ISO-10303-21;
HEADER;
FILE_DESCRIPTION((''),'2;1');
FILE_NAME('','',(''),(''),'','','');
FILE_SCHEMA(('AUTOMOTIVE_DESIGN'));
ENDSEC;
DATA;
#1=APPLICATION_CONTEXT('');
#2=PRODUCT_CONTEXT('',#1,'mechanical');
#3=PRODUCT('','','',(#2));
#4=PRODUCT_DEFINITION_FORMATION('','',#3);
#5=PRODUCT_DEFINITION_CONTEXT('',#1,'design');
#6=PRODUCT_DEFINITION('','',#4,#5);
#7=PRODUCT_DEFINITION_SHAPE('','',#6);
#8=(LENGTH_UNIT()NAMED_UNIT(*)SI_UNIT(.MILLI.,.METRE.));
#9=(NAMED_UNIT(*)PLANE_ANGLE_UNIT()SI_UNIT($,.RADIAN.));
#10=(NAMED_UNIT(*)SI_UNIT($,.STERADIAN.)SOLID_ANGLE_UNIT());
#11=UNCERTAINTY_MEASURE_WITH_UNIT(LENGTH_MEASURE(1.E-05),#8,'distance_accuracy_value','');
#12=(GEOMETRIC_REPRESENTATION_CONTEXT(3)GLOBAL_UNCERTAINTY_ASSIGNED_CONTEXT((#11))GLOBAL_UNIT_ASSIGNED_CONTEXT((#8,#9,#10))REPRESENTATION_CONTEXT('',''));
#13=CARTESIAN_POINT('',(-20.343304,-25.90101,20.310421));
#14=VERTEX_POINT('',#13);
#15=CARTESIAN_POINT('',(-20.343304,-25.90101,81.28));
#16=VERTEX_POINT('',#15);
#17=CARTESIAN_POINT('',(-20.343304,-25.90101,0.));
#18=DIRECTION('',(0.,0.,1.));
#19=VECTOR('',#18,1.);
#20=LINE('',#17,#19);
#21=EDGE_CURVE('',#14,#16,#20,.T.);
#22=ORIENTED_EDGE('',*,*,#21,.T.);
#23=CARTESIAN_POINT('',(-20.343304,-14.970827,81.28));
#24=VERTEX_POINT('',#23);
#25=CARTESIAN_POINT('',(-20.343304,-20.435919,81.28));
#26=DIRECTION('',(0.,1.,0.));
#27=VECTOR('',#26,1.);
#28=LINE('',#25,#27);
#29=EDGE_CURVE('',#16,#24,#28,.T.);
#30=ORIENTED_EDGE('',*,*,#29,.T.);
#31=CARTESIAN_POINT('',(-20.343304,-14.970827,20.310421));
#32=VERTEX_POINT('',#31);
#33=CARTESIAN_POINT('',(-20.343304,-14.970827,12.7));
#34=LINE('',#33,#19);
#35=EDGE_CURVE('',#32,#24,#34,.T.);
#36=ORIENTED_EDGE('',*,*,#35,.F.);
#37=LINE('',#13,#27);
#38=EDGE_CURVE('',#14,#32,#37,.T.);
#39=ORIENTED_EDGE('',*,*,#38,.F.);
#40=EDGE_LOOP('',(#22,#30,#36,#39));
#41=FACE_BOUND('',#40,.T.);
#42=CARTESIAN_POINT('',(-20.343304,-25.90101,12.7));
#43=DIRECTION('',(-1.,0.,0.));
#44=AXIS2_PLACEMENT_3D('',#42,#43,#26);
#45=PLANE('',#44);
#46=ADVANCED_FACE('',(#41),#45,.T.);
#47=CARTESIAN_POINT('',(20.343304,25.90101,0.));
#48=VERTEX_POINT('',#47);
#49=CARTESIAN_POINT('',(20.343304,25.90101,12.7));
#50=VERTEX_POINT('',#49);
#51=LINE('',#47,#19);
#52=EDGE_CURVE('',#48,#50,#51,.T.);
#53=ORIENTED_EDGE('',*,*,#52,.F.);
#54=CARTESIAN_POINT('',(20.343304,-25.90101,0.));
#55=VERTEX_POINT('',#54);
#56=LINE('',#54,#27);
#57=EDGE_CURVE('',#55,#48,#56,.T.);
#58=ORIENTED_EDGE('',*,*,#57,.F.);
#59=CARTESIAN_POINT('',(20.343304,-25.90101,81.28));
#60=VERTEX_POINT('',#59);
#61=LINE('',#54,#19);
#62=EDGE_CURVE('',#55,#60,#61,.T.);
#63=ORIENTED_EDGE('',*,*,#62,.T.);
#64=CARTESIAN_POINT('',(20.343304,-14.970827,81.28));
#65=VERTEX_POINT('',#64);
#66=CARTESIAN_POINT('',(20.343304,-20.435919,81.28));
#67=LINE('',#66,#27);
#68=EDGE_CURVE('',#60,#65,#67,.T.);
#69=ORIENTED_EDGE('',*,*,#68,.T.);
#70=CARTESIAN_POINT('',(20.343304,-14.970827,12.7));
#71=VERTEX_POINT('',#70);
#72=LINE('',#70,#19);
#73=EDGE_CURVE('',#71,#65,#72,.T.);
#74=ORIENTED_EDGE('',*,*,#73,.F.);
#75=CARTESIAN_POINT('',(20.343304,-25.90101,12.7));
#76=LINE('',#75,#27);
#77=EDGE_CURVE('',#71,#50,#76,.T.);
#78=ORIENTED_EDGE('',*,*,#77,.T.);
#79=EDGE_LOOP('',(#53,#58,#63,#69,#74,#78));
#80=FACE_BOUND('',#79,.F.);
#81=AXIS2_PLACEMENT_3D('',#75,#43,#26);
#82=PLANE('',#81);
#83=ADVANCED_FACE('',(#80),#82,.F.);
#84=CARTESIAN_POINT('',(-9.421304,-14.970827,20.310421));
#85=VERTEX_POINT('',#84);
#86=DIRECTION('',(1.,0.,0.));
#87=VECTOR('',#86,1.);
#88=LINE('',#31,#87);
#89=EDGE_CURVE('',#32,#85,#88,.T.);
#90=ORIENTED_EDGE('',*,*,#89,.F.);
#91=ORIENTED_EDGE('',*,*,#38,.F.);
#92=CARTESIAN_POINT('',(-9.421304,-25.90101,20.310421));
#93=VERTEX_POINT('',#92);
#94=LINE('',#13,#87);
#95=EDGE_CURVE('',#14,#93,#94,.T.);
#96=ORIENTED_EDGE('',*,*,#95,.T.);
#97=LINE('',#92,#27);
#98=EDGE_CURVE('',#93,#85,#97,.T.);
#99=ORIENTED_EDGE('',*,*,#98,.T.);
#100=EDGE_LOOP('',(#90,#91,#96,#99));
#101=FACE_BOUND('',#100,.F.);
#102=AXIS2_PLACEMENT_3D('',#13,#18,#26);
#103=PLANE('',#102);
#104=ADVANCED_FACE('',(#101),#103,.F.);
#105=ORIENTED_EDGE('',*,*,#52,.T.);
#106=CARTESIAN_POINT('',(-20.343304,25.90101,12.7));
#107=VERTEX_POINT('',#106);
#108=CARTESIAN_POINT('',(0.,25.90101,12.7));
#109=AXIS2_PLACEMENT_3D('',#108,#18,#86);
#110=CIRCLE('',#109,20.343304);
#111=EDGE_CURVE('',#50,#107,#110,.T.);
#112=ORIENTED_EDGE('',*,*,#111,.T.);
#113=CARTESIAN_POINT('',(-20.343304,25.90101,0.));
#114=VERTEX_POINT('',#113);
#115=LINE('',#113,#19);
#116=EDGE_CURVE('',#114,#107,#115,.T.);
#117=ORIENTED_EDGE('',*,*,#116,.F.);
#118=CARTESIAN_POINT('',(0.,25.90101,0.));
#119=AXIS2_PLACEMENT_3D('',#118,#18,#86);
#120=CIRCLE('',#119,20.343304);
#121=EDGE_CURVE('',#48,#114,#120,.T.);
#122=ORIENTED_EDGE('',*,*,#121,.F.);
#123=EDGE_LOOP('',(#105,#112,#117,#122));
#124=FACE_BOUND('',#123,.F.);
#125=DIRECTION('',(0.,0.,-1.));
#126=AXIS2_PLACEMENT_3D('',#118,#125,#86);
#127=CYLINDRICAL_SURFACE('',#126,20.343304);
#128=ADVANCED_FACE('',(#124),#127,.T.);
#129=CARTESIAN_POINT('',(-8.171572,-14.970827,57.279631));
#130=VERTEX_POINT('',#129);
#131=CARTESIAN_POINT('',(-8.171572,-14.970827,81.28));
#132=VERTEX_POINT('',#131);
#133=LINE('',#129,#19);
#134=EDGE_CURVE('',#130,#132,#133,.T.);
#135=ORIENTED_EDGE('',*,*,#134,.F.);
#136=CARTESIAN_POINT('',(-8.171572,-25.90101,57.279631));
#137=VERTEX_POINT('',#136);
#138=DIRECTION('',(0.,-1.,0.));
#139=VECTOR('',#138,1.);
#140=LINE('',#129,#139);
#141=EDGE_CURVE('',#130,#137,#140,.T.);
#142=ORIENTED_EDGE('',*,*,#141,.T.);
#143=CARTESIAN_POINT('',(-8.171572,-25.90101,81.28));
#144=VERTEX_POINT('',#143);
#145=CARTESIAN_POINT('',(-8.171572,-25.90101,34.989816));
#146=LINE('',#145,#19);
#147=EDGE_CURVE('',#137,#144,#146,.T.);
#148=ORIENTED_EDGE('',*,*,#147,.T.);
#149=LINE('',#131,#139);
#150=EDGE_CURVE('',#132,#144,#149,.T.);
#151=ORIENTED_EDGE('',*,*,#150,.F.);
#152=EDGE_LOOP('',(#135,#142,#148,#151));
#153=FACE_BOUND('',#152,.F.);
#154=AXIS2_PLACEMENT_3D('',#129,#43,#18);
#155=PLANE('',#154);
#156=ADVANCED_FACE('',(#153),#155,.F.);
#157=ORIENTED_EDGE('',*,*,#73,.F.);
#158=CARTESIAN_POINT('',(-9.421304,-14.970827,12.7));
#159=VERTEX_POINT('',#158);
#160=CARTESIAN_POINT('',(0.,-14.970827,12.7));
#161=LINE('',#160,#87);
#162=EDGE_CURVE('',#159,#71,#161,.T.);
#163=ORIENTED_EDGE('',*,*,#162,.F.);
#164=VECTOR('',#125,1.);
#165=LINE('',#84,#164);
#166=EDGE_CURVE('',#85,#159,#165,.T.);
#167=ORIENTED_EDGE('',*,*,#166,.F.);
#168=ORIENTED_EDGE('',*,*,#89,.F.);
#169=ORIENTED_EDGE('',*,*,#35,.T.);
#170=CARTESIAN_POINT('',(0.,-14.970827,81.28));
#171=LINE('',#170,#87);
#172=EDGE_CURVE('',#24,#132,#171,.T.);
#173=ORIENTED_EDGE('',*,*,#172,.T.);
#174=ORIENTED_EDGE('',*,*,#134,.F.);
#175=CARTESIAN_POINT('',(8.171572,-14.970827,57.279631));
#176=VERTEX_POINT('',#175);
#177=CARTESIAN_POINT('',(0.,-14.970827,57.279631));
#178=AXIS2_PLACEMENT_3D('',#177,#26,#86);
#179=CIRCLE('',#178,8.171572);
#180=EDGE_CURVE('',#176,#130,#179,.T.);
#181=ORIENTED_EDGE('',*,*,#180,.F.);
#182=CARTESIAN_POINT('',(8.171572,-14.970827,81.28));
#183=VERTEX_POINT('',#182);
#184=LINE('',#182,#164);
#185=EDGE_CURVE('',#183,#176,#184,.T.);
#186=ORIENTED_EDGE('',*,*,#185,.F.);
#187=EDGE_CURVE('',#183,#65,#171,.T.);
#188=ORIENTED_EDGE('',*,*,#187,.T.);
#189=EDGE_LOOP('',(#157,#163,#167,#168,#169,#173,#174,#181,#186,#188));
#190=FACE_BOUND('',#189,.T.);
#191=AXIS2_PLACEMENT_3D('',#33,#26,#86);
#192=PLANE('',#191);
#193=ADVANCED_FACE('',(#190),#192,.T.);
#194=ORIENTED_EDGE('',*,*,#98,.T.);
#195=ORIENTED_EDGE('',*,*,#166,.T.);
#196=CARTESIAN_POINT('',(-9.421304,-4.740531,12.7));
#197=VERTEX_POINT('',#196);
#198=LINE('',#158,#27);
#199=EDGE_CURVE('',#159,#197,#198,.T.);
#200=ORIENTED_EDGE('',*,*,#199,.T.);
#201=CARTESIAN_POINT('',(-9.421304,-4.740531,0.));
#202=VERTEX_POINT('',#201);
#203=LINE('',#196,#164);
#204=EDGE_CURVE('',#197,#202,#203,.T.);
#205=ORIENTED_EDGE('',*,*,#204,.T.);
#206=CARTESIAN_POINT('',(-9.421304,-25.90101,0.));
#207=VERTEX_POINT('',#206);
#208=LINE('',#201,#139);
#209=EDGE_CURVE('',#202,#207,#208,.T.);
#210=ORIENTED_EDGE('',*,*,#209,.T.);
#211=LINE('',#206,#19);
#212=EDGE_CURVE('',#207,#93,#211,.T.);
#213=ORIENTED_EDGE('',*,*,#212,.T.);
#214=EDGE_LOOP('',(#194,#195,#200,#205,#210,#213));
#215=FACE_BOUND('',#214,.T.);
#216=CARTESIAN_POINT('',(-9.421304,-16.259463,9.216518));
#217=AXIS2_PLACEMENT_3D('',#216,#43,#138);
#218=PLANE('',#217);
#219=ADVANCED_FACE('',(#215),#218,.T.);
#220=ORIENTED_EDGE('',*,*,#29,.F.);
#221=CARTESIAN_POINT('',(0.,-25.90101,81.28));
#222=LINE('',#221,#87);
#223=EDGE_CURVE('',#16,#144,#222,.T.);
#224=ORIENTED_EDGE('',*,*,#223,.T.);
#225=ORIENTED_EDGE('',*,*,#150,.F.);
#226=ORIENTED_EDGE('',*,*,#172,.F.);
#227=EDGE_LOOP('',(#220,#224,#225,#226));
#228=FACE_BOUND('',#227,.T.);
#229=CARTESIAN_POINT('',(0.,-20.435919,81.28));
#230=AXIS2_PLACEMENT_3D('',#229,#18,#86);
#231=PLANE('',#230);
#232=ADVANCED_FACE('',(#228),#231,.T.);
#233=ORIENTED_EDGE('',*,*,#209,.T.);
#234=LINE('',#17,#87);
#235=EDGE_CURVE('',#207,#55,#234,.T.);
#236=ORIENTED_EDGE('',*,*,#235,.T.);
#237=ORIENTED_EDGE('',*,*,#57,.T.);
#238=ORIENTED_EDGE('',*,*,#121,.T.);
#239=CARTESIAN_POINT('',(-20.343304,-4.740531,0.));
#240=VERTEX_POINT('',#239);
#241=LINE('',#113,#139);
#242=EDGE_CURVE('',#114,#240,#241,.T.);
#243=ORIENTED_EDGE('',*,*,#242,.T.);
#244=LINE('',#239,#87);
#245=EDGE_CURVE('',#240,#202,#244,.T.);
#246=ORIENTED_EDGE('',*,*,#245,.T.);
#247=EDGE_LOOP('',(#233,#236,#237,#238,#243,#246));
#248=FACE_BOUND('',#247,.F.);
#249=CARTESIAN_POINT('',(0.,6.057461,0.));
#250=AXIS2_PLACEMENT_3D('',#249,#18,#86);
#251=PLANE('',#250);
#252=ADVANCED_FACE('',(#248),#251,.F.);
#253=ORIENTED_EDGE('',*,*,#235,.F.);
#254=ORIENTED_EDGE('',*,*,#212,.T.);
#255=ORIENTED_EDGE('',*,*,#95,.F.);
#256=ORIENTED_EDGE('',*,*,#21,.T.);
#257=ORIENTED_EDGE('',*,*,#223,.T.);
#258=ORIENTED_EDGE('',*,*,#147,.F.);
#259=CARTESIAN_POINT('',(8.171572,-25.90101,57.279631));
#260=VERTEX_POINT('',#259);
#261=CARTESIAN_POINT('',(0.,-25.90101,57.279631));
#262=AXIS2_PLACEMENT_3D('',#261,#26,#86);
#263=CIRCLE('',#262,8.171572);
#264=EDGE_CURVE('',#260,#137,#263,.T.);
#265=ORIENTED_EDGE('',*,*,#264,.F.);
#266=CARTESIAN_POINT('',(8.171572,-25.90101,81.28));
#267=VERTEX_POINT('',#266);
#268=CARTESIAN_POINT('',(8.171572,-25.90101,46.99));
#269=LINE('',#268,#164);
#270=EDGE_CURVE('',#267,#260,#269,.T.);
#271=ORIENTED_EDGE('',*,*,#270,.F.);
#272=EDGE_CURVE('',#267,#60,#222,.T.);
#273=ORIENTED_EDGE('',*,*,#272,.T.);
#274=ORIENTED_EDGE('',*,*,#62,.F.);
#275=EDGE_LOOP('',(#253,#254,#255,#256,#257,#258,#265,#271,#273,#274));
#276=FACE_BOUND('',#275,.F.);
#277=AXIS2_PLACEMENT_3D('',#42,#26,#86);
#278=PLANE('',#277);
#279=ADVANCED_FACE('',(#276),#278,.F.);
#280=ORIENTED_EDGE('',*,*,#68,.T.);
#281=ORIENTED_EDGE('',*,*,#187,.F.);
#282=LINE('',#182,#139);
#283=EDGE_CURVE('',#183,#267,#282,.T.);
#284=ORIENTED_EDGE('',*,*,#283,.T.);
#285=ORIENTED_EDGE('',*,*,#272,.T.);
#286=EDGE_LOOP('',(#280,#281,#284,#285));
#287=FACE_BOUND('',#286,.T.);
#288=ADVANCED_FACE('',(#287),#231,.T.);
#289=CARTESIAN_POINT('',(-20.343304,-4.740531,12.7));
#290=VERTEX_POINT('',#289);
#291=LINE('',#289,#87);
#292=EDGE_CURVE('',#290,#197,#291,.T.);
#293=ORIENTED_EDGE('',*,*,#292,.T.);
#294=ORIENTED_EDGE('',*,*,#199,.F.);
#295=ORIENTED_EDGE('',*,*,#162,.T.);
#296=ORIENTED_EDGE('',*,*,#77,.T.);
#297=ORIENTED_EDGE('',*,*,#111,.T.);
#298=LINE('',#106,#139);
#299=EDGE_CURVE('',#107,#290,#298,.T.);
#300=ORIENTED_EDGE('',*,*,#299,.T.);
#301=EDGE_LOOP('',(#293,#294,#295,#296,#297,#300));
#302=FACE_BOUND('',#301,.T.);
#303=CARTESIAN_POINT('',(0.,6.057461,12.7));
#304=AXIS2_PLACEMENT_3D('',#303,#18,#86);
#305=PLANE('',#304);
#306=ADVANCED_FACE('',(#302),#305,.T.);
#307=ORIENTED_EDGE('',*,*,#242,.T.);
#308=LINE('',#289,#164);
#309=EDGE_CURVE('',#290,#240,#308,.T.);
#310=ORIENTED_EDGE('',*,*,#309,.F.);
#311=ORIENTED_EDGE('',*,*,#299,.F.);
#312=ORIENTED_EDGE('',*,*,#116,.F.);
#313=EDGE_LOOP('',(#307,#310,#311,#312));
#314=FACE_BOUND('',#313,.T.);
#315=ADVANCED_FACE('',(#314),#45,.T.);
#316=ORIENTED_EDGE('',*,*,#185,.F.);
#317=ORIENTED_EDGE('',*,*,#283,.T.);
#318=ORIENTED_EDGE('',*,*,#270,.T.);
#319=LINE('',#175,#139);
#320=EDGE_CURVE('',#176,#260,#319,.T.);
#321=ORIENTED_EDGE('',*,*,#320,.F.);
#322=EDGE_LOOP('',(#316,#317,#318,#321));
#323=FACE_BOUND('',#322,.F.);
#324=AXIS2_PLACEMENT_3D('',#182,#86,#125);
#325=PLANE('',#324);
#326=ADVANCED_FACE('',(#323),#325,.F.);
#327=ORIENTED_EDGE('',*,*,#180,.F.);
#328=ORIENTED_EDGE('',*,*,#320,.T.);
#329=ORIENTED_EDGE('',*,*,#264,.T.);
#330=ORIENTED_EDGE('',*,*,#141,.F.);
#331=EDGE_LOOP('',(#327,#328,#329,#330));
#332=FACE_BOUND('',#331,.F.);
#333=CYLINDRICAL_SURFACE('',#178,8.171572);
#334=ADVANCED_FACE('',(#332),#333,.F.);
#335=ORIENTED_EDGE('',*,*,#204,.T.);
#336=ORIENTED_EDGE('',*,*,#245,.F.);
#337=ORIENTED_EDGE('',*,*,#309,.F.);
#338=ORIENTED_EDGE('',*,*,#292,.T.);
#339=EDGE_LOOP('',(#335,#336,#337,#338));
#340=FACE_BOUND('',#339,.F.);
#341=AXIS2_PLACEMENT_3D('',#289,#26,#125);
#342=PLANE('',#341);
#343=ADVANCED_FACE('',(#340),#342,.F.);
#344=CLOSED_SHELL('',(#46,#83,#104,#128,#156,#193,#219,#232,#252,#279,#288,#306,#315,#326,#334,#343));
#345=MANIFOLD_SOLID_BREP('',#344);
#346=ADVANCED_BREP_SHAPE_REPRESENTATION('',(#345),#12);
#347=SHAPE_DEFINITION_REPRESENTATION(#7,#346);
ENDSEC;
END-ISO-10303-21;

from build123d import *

# Parameters (mm, degrees)
F1_DEPTH = 12.7
F2_W     = 40.6866073608
F2_H     = 10.9301833436
F3_DEPTH = 68.58
F5_DEPTH = 25.4
F7_DEPTH = 10.922


with BuildPart() as f1:
    # F0 (on Top) → F1 (new body)
    with BuildSketch(Plane.XY):
        with BuildLine():
            Line((-20.3433036804, -25.90101026), (20.3433036804, -25.90101026))
            Line((20.3433036804, -25.90101026), (20.3433036804, 25.90101026))
            ThreePointArc((20.3433036804, 25.90101026), (0, 46.2443139404), (-20.3433036804, 25.90101026))
            Line((-20.3433036804, 25.90101026), (-20.3433036804, -25.90101026))
        make_face()
    extrude(amount=F1_DEPTH)

    # F2 (on face) → F3 (join)
    with BuildSketch(Plane.XY.offset(12.7)):
        with Locations((0, -20.4359185882)):
            Rectangle(F2_W, F2_H)
    extrude(amount=F3_DEPTH)

    # F4 (on face) → F5 (cut)
    with BuildSketch(Plane(origin=(0, -14.9708269164, 0), x_dir=(-1, 0, 0), z_dir=(0, 1, 0))):
        with BuildLine():
            Line((8.1715718843, 81.28), (-8.1715718843, 81.28))
            Line((-8.1715718843, 81.28), (-8.1715718843, 57.2796314955))
            ThreePointArc((-8.1715718843, 57.2796314955), (0, 49.1080596112), (8.1715718843, 57.2796314955))
            Line((8.1715718843, 57.2796314955), (8.1715718843, 81.28))
        make_face()
    extrude(amount=-F5_DEPTH, mode=Mode.SUBTRACT)

    # F6 (on face) → F7 (cut)
    with BuildSketch(Plane(origin=(-20.3433036804, 0, 0), x_dir=(0, -1, 0), z_dir=(-1, 0, 0))):
        Polygon((4.7405310906, 0), (25.90101026, 0), (25.90101026, 20.310420543), (14.9708269164, 20.310420543), (14.9708269164, 12.7), (4.7405310906, 12.7), align=None)
    extrude(amount=-F7_DEPTH, mode=Mode.SUBTRACT)


solid = f1.part
